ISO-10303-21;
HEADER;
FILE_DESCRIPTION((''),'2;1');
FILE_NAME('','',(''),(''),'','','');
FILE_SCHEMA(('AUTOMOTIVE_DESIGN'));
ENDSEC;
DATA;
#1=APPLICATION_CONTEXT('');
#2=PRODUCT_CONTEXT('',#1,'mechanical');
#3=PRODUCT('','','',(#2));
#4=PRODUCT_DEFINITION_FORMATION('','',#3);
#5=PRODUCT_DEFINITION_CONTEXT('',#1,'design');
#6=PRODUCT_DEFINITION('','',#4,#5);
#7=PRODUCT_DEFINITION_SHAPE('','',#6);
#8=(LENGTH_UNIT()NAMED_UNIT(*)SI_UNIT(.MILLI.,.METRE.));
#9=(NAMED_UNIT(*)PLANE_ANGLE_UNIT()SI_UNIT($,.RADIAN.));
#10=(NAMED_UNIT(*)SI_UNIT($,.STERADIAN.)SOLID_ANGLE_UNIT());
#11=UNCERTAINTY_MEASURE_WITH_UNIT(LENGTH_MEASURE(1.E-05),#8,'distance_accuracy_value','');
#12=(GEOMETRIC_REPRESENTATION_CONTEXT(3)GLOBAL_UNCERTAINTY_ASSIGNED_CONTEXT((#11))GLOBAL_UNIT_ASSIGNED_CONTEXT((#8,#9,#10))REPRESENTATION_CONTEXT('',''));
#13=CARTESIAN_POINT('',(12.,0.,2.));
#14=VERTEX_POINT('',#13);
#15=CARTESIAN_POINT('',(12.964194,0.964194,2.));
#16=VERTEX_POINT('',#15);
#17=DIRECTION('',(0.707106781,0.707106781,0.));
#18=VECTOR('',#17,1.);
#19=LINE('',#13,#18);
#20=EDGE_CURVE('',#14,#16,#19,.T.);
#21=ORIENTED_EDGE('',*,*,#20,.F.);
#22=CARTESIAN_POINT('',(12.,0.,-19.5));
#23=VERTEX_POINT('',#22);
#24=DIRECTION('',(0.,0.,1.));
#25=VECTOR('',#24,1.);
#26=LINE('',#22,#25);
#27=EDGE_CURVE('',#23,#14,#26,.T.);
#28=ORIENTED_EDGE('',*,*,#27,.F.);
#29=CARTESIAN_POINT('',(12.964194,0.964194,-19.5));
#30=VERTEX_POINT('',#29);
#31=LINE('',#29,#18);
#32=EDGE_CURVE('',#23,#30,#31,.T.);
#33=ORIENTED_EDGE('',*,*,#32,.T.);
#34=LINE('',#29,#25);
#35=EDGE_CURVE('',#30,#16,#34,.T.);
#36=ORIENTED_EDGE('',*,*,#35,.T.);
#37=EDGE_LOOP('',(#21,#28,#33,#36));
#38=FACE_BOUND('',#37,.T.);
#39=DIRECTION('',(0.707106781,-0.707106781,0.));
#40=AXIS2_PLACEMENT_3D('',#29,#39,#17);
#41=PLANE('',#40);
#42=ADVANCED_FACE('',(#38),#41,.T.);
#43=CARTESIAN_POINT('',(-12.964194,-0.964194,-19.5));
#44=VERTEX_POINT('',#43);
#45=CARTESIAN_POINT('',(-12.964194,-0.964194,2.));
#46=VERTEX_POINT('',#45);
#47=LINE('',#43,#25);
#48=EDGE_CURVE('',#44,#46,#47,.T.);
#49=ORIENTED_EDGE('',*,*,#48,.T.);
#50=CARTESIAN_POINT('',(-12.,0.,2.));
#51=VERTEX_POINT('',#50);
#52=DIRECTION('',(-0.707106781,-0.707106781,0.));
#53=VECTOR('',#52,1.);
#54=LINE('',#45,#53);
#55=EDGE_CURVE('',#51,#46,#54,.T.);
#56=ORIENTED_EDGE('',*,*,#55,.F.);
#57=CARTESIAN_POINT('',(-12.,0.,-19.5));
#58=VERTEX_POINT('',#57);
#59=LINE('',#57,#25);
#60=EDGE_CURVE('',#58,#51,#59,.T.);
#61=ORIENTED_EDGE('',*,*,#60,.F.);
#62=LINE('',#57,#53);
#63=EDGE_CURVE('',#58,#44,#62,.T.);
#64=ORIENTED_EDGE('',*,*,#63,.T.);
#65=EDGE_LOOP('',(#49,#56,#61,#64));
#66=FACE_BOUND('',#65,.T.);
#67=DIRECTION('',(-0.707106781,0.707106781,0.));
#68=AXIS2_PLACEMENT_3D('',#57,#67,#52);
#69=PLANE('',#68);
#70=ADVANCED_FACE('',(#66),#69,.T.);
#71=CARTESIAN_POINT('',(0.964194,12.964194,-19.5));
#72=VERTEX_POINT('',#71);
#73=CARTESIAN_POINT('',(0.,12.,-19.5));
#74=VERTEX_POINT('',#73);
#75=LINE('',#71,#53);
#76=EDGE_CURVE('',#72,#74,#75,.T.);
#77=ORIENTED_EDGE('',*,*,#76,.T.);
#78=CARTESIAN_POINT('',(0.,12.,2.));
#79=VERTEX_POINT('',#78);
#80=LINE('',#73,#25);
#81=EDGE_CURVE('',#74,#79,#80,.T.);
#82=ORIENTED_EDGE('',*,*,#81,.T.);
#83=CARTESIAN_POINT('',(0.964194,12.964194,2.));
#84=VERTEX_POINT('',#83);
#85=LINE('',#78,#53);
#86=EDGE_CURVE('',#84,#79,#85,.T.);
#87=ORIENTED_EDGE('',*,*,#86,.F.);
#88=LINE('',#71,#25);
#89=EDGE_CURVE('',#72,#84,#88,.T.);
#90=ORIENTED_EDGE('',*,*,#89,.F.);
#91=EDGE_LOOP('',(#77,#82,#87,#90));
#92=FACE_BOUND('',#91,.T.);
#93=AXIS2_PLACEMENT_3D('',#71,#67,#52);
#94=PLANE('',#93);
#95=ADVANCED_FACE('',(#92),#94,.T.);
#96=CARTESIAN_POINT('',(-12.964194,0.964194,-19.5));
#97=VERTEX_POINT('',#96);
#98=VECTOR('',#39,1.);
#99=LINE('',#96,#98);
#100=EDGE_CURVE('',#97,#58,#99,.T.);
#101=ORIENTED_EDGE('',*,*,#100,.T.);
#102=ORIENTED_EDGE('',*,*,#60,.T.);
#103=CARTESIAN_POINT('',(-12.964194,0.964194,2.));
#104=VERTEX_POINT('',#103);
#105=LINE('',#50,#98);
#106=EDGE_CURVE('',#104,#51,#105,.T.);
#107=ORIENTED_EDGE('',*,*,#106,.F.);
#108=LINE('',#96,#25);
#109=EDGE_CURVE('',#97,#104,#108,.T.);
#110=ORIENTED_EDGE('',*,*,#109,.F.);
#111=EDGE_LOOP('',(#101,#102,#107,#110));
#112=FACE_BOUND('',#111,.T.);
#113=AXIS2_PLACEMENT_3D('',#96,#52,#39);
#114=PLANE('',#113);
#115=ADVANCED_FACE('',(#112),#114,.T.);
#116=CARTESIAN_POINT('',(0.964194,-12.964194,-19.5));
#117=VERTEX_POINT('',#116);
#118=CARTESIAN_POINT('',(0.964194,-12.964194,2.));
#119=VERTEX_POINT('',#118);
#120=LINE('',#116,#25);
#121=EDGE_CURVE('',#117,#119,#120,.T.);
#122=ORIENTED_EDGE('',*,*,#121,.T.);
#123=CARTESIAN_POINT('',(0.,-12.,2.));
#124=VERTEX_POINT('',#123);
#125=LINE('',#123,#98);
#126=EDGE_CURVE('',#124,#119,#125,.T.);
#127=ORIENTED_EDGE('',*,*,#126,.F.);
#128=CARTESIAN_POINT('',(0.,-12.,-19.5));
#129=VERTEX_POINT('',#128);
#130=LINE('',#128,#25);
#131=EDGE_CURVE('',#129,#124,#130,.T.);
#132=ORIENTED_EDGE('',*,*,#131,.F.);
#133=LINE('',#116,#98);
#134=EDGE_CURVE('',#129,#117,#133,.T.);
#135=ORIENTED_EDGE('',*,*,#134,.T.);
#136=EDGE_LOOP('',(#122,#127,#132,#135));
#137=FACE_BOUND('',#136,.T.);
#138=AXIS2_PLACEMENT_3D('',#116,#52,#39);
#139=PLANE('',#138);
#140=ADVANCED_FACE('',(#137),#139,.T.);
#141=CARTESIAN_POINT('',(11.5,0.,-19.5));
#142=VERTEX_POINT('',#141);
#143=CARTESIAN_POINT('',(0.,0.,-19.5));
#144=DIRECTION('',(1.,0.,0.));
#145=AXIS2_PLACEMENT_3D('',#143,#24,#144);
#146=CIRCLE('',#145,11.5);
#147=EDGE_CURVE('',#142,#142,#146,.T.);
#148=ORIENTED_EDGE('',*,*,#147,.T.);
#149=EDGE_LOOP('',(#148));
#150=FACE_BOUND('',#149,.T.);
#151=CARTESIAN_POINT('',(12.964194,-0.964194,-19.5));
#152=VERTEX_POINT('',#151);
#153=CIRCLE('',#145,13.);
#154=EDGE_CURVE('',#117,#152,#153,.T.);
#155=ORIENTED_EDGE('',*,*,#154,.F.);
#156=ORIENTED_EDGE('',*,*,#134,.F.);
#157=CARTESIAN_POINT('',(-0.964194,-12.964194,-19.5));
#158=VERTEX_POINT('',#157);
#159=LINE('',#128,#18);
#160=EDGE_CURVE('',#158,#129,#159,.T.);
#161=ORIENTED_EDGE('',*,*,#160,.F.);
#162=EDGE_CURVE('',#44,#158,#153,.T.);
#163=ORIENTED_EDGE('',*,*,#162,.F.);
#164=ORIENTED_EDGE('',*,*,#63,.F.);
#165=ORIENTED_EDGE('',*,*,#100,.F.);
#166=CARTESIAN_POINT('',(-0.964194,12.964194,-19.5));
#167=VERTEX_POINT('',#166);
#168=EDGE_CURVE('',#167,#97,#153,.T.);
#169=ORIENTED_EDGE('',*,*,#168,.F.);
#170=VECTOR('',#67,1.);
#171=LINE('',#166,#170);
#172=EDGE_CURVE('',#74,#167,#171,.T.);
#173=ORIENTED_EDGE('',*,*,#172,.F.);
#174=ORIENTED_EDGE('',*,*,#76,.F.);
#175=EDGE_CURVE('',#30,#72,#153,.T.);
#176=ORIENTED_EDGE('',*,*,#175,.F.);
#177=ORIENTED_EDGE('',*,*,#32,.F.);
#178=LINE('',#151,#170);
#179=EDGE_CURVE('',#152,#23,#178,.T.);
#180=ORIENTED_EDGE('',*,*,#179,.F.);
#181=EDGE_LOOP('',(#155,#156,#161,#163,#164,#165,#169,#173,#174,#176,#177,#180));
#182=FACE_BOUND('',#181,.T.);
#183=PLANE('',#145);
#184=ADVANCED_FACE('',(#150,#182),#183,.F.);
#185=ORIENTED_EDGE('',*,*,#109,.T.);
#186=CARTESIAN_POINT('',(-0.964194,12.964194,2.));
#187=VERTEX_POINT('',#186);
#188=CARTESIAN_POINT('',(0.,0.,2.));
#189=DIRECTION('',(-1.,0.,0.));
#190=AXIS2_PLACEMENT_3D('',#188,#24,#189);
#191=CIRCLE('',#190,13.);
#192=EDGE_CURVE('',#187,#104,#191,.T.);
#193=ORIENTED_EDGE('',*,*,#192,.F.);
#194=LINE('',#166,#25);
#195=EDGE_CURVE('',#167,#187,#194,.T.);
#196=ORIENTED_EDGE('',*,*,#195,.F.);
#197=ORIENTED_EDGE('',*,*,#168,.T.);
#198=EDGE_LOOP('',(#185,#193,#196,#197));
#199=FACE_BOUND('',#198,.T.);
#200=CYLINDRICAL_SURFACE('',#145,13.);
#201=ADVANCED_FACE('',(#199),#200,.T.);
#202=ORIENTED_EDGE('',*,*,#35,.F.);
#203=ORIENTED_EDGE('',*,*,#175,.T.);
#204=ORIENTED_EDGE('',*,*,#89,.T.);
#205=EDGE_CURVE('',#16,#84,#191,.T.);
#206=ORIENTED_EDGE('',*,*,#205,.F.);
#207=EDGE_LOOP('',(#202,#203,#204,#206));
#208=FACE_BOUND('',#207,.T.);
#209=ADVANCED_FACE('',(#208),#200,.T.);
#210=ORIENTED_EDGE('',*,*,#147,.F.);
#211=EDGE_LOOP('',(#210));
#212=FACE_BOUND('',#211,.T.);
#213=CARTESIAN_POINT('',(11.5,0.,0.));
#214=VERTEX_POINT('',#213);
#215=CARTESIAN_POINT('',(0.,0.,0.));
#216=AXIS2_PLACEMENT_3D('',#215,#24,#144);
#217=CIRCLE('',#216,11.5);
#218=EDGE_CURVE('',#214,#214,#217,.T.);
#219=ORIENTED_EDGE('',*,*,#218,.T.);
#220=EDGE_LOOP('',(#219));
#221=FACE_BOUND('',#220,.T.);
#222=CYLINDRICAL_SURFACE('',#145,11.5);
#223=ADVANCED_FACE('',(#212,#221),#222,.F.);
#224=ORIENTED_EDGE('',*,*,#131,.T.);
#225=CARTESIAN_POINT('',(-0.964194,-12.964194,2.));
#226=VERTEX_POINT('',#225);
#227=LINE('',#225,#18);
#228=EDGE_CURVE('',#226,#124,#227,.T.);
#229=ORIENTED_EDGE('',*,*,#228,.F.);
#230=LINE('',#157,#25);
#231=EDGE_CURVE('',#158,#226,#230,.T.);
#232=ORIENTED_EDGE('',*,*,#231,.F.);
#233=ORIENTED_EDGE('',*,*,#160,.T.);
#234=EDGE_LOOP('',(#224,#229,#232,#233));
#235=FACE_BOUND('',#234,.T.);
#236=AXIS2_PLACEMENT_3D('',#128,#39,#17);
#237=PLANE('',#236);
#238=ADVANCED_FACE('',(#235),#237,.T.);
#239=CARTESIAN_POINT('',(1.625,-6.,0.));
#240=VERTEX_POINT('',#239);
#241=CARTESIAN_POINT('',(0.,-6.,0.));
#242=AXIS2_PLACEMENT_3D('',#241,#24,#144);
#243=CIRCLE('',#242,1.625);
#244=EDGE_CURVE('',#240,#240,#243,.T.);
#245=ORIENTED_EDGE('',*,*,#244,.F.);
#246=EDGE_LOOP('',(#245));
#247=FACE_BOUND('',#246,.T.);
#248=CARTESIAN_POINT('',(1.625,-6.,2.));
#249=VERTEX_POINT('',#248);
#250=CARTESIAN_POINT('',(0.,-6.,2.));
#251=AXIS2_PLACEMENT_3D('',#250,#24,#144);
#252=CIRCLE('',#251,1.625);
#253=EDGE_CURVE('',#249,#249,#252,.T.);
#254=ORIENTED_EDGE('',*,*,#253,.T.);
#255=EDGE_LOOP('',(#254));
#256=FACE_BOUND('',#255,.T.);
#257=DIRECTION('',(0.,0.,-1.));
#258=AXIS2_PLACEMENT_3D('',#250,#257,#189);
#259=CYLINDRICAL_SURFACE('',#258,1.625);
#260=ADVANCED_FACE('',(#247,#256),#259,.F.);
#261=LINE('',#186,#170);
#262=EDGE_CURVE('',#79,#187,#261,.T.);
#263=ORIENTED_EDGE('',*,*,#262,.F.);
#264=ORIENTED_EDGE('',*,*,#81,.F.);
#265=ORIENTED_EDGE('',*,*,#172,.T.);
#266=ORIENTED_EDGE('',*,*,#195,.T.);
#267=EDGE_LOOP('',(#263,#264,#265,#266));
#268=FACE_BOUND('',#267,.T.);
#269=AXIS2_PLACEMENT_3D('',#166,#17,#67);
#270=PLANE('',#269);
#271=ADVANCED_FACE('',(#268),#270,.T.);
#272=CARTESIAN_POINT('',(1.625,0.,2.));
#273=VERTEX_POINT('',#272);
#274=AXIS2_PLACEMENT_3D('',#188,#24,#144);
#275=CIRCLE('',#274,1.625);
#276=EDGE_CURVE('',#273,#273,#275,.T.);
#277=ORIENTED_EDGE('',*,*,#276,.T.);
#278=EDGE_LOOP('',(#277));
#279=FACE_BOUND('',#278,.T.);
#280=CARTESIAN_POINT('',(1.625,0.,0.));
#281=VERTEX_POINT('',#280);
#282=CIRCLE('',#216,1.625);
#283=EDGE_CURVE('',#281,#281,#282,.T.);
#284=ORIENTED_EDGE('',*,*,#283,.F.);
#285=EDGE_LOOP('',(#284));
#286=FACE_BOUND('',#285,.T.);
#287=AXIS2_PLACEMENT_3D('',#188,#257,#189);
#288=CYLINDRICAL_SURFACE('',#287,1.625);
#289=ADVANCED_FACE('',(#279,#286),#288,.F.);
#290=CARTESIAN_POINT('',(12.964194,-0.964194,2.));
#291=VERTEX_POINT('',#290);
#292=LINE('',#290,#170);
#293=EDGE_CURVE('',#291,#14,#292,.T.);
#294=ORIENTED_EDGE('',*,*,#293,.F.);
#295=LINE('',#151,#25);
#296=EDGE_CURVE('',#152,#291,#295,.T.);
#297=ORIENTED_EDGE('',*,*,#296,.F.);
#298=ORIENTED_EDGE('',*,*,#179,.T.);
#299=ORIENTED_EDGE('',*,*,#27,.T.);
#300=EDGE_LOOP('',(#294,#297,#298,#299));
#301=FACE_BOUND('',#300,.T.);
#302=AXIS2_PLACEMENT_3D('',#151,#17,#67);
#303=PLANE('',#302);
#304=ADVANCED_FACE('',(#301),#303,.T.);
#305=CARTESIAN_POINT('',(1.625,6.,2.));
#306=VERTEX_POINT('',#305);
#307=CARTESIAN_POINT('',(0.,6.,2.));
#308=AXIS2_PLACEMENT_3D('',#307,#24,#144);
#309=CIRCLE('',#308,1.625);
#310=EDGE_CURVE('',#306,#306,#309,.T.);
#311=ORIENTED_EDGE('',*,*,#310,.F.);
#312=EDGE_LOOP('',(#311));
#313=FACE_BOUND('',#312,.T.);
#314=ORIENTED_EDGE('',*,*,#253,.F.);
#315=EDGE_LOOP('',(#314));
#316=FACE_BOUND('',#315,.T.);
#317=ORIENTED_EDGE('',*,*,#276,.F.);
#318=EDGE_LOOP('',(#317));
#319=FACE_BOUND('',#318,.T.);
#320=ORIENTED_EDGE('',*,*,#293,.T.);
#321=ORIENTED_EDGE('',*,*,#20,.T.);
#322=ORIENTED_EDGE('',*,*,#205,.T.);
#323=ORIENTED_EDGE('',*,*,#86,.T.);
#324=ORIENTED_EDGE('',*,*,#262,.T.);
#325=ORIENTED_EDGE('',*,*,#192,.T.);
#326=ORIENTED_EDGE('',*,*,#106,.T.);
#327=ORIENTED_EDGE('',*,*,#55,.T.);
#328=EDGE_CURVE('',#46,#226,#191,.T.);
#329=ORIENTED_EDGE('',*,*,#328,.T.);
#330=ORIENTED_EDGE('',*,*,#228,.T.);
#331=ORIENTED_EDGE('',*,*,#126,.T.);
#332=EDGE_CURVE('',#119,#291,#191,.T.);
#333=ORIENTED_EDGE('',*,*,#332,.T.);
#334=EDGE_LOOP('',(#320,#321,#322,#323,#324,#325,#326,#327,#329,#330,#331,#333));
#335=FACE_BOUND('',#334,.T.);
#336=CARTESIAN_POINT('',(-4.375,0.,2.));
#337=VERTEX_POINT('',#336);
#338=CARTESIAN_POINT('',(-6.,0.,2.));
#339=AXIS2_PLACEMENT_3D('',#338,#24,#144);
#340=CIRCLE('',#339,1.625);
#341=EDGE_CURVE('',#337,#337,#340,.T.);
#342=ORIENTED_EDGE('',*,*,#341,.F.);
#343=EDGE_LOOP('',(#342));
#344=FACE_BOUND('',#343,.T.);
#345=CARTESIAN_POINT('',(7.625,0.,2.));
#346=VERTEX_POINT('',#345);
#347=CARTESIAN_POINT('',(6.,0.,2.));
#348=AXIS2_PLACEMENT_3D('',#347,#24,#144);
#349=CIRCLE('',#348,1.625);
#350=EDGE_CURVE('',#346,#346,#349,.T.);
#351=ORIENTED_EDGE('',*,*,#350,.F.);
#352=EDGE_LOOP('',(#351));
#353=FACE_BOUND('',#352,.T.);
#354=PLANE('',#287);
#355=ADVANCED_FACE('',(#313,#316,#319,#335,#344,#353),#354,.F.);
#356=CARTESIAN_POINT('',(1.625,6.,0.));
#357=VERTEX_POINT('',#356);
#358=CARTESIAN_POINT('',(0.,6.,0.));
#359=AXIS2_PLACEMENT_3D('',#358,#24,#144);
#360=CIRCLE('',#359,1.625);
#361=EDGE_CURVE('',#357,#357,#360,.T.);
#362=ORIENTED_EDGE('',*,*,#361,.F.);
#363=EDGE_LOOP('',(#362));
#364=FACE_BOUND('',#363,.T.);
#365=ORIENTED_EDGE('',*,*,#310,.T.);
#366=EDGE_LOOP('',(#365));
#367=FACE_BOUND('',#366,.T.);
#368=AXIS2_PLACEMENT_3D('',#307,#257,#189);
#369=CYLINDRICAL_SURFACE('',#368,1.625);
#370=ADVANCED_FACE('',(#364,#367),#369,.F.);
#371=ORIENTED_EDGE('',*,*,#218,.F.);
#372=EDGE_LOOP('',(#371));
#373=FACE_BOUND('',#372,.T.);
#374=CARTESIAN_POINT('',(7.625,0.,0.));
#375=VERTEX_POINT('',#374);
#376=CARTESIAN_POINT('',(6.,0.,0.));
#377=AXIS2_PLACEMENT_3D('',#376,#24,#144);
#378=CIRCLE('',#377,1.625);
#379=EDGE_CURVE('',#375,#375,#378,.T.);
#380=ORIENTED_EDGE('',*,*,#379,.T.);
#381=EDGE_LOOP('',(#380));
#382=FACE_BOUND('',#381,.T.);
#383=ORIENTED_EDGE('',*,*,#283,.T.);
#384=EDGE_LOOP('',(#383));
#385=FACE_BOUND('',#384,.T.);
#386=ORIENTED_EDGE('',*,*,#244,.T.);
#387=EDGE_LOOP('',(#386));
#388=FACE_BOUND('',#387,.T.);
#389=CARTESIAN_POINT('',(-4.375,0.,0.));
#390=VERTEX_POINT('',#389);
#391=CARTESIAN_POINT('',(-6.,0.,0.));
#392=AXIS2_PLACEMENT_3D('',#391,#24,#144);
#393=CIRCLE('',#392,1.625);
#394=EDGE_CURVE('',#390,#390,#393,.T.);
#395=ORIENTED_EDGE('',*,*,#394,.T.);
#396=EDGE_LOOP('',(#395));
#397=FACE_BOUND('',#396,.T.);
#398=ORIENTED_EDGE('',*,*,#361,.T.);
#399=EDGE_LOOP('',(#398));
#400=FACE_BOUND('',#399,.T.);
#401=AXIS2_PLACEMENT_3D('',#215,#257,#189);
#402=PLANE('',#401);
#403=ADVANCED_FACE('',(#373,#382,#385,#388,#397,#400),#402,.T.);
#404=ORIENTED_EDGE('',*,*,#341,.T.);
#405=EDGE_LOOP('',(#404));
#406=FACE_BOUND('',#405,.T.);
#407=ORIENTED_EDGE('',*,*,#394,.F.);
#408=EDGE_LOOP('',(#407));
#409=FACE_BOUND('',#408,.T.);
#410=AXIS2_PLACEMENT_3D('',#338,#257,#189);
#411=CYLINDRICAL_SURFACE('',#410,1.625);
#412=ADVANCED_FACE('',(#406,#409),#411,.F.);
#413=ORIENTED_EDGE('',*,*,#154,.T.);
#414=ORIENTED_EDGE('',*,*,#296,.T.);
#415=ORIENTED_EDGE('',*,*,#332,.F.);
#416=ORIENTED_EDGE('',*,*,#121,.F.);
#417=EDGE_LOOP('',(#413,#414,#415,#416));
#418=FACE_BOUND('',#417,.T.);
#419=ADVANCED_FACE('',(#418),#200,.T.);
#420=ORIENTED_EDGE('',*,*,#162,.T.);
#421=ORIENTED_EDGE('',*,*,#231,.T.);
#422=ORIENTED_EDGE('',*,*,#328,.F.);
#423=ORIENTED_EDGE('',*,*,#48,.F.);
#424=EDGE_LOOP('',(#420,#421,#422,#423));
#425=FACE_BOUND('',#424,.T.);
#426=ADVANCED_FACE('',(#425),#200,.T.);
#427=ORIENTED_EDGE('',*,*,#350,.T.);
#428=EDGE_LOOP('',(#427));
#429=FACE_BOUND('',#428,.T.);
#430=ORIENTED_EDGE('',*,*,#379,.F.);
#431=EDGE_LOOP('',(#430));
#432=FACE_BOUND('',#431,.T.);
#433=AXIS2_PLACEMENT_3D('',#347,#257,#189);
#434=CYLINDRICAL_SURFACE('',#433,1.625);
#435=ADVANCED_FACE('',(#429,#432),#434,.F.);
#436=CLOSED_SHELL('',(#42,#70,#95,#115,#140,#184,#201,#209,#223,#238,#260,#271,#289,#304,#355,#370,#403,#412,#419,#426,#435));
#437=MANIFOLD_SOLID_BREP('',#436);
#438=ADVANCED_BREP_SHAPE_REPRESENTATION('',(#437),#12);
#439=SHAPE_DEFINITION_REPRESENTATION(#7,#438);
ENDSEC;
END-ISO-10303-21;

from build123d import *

# Parameters (mm, degrees)
CROQUIS1_R              = 11.5
SALIENTE_EXTRUIR1_DEPTH = 19.5
SALIENTE_EXTRUIR2_START = 2
CROQUIS2_R              = 1.625
SALIENTE_EXTRUIR2_DEPTH = 2


with BuildPart() as part:
    # Croquis1 → Saliente-Extruir1 (new body)
    with BuildSketch(Plane.XY):
        with BuildLine():
            Line((0.964194139, 12.964194139), (0, 12))
            Line((0, 12), (-0.964194139, 12.964194139))
            ThreePointArc((-0.964194139, 12.964194139), (-9.192388155, 9.192388155), (-12.964194139, 0.964194139))
            Line((-12.964194139, 0.964194139), (-12, 0))
            Line((-12, 0), (-12.964194139, -0.964194139))
            ThreePointArc((-12.964194139, -0.964194139), (-9.192388155, -9.192388155), (-0.964194139, -12.964194139))
            Line((-0.964194139, -12.964194139), (0, -12))
            Line((0, -12), (0.964194139, -12.964194139))
            ThreePointArc((0.964194139, -12.964194139), (9.192388155, -9.192388155), (12.964194139, -0.964194139))
            Line((12.964194139, -0.964194139), (12, 0))
            Line((12, 0), (12.964194139, 0.964194139))
            ThreePointArc((12.964194139, 0.964194139), (9.192388155, 9.192388155), (0.964194139, 12.964194139))
        make_face()
        Circle(CROQUIS1_R, mode=Mode.SUBTRACT)
    extrude(amount=-SALIENTE_EXTRUIR1_DEPTH)

    # Croquis2 → Saliente-Extruir2 (add)
    with BuildSketch(Plane.XY.offset(SALIENTE_EXTRUIR2_START)):
        with BuildLine():
            Line((-12.964194139, -0.964194139), (-12, 0))
            Line((-12, 0), (-12.964194139, 0.964194139))
            ThreePointArc((-12.964194139, 0.964194139), (-9.192388155, 9.192388155), (-0.964194139, 12.964194139))
            Line((-0.964194139, 12.964194139), (0, 12))
            Line((0, 12), (0.964194139, 12.964194139))
            ThreePointArc((0.964194139, 12.964194139), (9.192388155, 9.192388155), (12.964194139, 0.964194139))
            Line((12.964194139, 0.964194139), (12, 0))
            Line((12, 0), (12.964194139, -0.964194139))
            ThreePointArc((12.964194139, -0.964194139), (9.192388155, -9.192388155), (0.964194139, -12.964194139))
            Line((0.964194139, -12.964194139), (0, -12))
            Line((0, -12), (-0.964194139, -12.964194139))
            ThreePointArc((-0.964194139, -12.964194139), (-9.192388155, -9.192388155), (-12.964194139, -0.964194139))
        make_face()
        Circle(CROQUIS2_R, mode=Mode.SUBTRACT)
        with Locations((6, 0)):
            Circle(CROQUIS2_R, mode=Mode.SUBTRACT)
        with Locations((-6, 0)):
            Circle(CROQUIS2_R, mode=Mode.SUBTRACT)
        with Locations((0, 6)):
            Circle(CROQUIS2_R, mode=Mode.SUBTRACT)
        with Locations((0, -6)):
            Circle(CROQUIS2_R, mode=Mode.SUBTRACT)
    extrude(amount=-SALIENTE_EXTRUIR2_DEPTH)


solid = part.part
